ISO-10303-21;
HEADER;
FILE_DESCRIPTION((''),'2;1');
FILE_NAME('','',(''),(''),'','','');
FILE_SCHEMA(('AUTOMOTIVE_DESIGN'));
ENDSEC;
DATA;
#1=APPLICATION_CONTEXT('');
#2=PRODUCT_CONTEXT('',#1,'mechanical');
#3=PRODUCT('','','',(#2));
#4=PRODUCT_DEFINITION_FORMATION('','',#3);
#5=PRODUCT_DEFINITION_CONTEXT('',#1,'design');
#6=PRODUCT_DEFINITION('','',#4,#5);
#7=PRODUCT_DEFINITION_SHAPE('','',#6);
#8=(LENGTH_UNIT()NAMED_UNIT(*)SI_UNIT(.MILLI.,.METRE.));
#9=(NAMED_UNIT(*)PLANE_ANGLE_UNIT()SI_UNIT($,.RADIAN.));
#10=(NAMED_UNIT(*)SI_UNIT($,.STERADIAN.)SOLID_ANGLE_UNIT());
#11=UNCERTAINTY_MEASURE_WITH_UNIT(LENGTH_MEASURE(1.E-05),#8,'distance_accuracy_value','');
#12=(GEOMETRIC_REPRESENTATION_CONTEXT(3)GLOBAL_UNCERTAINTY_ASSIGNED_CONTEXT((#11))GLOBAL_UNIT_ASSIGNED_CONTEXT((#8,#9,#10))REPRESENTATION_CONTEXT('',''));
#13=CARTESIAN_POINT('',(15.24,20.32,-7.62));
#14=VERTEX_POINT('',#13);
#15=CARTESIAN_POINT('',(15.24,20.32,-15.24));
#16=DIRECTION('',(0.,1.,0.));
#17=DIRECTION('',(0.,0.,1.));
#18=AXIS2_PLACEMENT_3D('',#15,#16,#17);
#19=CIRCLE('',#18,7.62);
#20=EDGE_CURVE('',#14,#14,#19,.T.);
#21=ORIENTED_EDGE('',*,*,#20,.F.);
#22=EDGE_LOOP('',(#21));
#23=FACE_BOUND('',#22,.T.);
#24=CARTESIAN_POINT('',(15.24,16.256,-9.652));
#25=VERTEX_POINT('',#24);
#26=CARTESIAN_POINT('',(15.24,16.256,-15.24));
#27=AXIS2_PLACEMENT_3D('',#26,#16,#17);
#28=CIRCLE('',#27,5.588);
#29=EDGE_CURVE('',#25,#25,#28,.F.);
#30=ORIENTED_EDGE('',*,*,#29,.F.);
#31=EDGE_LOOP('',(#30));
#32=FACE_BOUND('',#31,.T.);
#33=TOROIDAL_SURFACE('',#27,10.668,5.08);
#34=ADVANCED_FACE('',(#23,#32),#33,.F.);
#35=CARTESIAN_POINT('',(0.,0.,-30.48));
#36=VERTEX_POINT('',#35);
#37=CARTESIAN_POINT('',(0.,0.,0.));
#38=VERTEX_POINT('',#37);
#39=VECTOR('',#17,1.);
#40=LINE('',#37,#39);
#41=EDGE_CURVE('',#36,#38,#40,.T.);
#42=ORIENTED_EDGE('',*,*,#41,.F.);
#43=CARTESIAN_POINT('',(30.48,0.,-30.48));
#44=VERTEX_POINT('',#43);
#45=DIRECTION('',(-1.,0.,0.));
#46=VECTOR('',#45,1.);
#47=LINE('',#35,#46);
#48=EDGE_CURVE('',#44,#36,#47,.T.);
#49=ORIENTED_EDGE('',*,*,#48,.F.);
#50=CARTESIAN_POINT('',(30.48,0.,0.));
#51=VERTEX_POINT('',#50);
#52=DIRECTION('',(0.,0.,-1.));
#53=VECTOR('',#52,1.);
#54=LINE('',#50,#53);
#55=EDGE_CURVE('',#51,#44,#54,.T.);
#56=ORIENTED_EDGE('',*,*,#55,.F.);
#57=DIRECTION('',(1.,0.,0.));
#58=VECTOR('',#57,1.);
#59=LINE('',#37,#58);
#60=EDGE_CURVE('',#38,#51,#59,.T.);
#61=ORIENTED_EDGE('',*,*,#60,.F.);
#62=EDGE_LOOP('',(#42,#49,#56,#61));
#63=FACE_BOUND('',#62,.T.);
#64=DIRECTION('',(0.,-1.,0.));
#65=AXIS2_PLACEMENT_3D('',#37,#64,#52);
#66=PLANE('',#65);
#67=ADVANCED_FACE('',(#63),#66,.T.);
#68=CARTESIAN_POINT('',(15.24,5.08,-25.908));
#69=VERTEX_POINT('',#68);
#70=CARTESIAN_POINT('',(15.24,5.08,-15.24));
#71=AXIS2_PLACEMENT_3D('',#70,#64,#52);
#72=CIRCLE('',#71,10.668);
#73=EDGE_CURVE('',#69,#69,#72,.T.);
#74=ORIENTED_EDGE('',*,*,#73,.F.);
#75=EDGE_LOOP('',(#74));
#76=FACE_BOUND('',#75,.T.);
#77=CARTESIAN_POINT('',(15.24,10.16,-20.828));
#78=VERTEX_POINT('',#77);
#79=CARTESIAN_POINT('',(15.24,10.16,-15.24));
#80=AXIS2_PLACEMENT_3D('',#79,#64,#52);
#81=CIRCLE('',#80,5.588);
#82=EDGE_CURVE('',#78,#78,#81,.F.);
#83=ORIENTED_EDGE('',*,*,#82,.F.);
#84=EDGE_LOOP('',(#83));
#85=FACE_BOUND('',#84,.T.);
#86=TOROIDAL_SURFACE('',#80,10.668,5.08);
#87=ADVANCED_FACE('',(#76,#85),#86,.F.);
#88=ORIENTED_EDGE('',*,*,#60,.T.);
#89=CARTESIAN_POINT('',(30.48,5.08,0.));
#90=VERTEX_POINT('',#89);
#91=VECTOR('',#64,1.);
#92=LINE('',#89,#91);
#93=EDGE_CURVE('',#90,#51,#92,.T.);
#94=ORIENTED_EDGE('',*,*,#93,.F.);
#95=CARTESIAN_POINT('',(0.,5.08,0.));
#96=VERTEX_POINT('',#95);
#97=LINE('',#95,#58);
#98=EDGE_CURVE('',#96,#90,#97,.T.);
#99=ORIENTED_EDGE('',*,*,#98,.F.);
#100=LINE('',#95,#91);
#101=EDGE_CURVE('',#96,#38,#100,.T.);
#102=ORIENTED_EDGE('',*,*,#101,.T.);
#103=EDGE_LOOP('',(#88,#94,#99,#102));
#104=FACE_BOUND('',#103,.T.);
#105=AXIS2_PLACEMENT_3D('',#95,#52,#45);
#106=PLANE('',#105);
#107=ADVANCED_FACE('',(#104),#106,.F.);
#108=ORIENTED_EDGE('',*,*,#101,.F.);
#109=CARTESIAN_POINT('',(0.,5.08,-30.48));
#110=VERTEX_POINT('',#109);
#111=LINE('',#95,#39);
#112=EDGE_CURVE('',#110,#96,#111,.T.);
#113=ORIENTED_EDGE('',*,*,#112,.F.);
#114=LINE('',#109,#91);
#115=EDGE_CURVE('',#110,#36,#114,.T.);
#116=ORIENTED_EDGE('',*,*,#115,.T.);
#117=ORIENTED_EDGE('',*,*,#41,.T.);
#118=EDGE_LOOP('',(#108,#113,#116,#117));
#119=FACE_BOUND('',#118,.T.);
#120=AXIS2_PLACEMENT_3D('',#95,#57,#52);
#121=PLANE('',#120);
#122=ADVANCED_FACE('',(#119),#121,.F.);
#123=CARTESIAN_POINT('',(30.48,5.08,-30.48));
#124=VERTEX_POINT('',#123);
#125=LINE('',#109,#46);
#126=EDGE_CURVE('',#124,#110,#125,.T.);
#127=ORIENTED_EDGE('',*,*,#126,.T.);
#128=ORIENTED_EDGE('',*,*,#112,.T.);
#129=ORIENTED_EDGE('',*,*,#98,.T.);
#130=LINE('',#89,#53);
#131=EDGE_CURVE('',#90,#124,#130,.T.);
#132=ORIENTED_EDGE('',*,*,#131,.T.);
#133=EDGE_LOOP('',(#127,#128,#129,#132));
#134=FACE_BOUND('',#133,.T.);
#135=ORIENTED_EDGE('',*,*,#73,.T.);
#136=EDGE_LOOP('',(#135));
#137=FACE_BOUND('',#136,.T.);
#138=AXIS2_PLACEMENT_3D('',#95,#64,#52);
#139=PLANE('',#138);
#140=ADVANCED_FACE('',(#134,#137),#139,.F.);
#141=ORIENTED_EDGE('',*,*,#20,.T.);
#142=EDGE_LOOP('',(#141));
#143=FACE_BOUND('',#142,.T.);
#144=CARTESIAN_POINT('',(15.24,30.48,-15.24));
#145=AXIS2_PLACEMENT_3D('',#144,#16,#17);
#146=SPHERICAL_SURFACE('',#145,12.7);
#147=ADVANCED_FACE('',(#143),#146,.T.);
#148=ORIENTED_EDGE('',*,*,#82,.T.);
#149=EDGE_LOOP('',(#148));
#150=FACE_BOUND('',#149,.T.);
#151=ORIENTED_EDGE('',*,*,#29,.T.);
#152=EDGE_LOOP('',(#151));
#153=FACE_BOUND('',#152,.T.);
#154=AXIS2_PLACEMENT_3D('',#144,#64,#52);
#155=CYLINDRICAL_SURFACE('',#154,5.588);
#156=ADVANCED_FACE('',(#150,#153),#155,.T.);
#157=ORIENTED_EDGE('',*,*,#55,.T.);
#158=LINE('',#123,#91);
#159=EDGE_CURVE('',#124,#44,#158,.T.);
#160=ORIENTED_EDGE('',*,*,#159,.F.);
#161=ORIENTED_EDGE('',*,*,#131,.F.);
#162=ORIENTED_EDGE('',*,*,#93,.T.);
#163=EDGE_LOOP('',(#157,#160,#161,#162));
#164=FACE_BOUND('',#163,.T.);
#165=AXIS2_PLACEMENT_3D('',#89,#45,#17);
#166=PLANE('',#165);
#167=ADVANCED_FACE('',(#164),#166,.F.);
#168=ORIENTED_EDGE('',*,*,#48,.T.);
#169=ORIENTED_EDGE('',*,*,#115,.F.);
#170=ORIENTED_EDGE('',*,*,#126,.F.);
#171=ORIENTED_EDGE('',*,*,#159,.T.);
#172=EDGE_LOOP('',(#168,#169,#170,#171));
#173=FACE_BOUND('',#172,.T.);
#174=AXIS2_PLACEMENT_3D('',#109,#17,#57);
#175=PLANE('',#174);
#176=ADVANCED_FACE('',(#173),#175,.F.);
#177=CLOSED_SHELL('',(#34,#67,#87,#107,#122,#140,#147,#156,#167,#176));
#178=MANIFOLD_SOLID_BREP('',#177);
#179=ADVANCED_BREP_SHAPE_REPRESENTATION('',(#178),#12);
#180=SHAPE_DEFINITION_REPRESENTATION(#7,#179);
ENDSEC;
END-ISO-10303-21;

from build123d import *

# Parameters (mm, degrees)
SKETCH2_W           = 30.48
SKETCH2_H           = 30.48
BOSS_EXTRUDE1_DEPTH = 5.08
SKETCH3_R           = 5.588
BOSS_EXTRUDE2_DEPTH = 25.4
FILLET1_R           = 5.08


with BuildPart() as part:
    # Sketch2 → Boss-Extrude1 (new body)
    with BuildSketch(Plane(origin=(0, 0, 0), x_dir=(1, 0, 0), z_dir=(0, 1, 0))):
        with Locations((15.24, 15.24)):
            Rectangle(SKETCH2_W, SKETCH2_H)
    extrude(amount=BOSS_EXTRUDE1_DEPTH)

    # Sketch3 → Boss-Extrude2 (add)
    with BuildSketch(Plane(origin=(0, 5.08, 0), x_dir=(1, 0, 0), z_dir=(0, 1, 0))):
        with Locations(Location((15.24, 15.24, 0), (0, 0, 270))):
            Circle(SKETCH3_R)
    extrude(amount=BOSS_EXTRUDE2_DEPTH)

    # Sketch6 → Revolve1 (revolve)
    with BuildSketch(Plane(origin=(0, 30.48, 0), x_dir=(1, 0, 0), z_dir=(0, 1, 0))):
        with BuildLine():
            Line((15.24, 27.94), (15.24, 2.54))
            ThreePointArc((15.24, 2.54), (27.94, 15.24), (15.24, 27.94))
        make_face()
    revolve(axis=Axis((15.24, 30.48, -27.94), (0, 0, 1)))

    # Fillet1
    fillet1_edges = [part.edges().sort_by_distance(p)[0] for p in [
        (15.24, 5.08, -20.828),
        (15.24, 19.075428285, -20.828),
    ]]
    fillet(fillet1_edges, radius=FILLET1_R)


solid = part.part
